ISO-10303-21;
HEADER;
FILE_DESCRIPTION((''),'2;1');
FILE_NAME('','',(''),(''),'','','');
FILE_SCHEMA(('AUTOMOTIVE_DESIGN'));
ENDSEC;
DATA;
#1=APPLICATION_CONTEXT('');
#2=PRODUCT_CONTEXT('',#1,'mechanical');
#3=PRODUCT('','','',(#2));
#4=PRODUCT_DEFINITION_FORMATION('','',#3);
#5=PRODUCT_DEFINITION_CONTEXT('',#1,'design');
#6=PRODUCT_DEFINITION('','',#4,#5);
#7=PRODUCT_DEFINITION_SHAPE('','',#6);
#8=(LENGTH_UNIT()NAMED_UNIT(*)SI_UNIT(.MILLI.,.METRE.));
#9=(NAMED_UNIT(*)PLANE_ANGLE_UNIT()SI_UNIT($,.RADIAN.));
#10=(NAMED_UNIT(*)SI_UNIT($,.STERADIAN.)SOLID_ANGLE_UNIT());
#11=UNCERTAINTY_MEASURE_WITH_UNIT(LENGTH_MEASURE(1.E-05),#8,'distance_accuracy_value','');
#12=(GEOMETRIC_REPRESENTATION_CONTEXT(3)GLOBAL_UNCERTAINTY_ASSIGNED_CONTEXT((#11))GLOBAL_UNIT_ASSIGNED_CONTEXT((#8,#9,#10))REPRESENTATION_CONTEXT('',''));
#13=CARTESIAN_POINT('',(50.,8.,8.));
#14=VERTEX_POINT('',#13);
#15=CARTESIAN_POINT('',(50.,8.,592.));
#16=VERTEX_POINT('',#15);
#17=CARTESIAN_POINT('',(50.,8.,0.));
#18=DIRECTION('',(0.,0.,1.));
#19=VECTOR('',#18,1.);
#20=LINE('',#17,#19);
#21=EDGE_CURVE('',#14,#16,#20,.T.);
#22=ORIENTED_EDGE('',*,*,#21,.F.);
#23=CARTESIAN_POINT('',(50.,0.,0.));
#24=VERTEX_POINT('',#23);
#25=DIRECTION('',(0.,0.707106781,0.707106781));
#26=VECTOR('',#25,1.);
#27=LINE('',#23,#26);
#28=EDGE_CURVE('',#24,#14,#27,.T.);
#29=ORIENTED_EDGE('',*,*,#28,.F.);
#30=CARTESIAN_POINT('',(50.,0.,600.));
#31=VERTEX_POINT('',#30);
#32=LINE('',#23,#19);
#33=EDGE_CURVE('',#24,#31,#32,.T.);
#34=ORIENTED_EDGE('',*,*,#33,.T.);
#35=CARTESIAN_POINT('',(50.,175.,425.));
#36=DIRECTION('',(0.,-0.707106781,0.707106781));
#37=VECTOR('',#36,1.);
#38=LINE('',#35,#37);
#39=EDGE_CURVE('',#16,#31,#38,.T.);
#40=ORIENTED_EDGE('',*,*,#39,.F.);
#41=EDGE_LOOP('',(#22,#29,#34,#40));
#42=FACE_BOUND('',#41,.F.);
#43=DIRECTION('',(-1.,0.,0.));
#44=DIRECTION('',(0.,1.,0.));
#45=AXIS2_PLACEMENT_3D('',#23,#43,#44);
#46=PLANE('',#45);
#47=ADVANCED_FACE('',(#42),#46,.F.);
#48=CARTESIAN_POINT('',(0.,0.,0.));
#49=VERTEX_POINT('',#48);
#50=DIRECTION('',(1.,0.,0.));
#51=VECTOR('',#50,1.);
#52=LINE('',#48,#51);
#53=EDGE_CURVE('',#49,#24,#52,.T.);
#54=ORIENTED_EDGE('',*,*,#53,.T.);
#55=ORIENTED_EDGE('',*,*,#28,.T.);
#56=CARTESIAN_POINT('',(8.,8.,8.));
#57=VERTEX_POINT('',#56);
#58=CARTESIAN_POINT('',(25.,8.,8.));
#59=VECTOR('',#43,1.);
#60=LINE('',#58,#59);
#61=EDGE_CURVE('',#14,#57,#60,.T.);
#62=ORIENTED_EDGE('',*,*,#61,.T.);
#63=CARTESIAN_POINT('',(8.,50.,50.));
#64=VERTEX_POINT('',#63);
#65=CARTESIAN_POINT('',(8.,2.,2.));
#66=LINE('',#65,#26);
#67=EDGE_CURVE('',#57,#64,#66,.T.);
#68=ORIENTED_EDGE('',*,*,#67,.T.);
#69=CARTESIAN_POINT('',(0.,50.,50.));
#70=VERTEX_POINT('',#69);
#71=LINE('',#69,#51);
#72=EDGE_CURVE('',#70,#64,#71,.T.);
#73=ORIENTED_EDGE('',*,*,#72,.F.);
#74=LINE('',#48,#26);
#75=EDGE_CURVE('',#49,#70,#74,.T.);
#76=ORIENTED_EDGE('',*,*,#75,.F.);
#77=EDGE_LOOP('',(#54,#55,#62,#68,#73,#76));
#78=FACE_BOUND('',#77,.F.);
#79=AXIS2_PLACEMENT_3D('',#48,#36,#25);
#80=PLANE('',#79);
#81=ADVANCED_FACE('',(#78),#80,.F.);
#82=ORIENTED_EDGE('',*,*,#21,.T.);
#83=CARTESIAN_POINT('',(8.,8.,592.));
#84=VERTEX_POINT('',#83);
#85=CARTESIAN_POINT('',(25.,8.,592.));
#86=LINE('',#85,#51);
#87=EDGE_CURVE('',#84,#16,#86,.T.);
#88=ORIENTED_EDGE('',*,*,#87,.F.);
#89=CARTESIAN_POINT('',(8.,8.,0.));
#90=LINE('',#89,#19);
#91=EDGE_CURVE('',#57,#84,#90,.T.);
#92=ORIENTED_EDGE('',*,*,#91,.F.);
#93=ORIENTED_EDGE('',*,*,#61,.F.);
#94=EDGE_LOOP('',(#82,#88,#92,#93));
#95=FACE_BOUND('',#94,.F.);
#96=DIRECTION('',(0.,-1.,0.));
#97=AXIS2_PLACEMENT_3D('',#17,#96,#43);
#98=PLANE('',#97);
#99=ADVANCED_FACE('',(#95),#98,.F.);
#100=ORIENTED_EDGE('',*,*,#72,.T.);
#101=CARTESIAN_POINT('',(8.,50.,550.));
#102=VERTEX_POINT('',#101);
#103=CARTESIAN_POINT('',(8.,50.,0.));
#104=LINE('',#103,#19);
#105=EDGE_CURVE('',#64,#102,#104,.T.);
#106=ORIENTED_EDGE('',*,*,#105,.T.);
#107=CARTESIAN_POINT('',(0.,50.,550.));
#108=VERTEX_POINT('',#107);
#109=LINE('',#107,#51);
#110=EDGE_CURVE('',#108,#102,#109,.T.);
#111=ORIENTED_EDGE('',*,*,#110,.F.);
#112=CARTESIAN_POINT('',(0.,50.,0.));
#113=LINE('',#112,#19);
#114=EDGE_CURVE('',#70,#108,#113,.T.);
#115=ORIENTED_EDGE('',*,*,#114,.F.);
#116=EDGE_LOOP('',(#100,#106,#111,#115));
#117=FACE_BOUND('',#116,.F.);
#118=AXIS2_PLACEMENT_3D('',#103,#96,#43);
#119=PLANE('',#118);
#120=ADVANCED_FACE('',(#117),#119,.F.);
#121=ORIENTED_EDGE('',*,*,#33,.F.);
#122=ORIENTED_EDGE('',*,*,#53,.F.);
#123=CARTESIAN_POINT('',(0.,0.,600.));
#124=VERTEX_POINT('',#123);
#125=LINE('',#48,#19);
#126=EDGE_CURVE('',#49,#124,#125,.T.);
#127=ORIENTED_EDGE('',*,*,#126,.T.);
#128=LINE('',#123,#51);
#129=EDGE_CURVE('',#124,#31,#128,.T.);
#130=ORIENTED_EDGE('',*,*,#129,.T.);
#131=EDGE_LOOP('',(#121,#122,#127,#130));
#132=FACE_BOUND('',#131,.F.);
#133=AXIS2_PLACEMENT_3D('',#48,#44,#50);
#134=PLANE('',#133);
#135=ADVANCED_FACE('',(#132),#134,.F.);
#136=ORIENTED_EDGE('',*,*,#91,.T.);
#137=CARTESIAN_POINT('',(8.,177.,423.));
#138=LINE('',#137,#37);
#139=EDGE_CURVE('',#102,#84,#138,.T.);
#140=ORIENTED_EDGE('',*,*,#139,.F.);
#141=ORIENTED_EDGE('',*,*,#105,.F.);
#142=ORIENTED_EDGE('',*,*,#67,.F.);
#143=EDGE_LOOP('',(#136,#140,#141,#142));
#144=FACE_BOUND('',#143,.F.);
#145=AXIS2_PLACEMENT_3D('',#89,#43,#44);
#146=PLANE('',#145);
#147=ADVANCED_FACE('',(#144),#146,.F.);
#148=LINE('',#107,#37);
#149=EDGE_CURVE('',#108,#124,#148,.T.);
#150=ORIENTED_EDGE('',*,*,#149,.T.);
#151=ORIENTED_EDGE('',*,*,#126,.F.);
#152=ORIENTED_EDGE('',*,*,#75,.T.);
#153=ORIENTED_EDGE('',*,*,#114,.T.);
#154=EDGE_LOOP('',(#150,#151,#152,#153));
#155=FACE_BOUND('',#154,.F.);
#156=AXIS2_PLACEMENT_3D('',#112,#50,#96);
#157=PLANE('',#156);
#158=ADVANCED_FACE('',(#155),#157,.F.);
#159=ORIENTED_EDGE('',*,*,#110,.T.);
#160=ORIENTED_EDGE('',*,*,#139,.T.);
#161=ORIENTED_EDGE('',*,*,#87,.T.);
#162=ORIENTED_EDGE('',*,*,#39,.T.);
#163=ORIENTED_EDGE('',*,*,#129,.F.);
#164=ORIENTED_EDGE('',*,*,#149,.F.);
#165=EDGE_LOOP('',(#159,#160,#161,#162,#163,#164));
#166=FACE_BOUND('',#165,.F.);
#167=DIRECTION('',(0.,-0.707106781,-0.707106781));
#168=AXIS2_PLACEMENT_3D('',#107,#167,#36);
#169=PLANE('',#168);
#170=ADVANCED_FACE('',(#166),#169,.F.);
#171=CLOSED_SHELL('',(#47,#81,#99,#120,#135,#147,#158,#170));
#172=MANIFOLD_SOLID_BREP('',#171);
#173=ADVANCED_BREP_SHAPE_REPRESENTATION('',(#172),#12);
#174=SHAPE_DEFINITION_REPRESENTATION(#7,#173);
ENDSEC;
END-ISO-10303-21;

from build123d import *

# Parameters (mm, degrees)
F1_DEPTH = 600
F3_DEPTH = 50.001
F5_DEPTH = 50.001


with BuildPart() as f1:
    # F0 (on Top) → F1 (new body)
    with BuildSketch(Plane.XY):
        Polygon((0, 50), (0, 0), (50, 0), (50, 8), (8, 8), (8, 50), align=None)
    extrude(amount=F1_DEPTH)

    # F2 (on face) → F3 (cut, through all)
    with BuildSketch(Plane(origin=(0, 0, 0), x_dir=(0, -1, 0), z_dir=(-1, 0, 0))):
        Polygon((-50, 550), (0, 600), (-50, 600), align=None)
    extrude(amount=-F3_DEPTH, mode=Mode.SUBTRACT)

    # F4 (on face) → F5 (cut, through all)
    with BuildSketch(Plane(origin=(0, 0, 0), x_dir=(0, -1, 0), z_dir=(-1, 0, 0))):
        Polygon((-50, 0), (0, 0), (-50, 50), align=None)
    extrude(amount=-F5_DEPTH, mode=Mode.SUBTRACT)


solid = f1.part
